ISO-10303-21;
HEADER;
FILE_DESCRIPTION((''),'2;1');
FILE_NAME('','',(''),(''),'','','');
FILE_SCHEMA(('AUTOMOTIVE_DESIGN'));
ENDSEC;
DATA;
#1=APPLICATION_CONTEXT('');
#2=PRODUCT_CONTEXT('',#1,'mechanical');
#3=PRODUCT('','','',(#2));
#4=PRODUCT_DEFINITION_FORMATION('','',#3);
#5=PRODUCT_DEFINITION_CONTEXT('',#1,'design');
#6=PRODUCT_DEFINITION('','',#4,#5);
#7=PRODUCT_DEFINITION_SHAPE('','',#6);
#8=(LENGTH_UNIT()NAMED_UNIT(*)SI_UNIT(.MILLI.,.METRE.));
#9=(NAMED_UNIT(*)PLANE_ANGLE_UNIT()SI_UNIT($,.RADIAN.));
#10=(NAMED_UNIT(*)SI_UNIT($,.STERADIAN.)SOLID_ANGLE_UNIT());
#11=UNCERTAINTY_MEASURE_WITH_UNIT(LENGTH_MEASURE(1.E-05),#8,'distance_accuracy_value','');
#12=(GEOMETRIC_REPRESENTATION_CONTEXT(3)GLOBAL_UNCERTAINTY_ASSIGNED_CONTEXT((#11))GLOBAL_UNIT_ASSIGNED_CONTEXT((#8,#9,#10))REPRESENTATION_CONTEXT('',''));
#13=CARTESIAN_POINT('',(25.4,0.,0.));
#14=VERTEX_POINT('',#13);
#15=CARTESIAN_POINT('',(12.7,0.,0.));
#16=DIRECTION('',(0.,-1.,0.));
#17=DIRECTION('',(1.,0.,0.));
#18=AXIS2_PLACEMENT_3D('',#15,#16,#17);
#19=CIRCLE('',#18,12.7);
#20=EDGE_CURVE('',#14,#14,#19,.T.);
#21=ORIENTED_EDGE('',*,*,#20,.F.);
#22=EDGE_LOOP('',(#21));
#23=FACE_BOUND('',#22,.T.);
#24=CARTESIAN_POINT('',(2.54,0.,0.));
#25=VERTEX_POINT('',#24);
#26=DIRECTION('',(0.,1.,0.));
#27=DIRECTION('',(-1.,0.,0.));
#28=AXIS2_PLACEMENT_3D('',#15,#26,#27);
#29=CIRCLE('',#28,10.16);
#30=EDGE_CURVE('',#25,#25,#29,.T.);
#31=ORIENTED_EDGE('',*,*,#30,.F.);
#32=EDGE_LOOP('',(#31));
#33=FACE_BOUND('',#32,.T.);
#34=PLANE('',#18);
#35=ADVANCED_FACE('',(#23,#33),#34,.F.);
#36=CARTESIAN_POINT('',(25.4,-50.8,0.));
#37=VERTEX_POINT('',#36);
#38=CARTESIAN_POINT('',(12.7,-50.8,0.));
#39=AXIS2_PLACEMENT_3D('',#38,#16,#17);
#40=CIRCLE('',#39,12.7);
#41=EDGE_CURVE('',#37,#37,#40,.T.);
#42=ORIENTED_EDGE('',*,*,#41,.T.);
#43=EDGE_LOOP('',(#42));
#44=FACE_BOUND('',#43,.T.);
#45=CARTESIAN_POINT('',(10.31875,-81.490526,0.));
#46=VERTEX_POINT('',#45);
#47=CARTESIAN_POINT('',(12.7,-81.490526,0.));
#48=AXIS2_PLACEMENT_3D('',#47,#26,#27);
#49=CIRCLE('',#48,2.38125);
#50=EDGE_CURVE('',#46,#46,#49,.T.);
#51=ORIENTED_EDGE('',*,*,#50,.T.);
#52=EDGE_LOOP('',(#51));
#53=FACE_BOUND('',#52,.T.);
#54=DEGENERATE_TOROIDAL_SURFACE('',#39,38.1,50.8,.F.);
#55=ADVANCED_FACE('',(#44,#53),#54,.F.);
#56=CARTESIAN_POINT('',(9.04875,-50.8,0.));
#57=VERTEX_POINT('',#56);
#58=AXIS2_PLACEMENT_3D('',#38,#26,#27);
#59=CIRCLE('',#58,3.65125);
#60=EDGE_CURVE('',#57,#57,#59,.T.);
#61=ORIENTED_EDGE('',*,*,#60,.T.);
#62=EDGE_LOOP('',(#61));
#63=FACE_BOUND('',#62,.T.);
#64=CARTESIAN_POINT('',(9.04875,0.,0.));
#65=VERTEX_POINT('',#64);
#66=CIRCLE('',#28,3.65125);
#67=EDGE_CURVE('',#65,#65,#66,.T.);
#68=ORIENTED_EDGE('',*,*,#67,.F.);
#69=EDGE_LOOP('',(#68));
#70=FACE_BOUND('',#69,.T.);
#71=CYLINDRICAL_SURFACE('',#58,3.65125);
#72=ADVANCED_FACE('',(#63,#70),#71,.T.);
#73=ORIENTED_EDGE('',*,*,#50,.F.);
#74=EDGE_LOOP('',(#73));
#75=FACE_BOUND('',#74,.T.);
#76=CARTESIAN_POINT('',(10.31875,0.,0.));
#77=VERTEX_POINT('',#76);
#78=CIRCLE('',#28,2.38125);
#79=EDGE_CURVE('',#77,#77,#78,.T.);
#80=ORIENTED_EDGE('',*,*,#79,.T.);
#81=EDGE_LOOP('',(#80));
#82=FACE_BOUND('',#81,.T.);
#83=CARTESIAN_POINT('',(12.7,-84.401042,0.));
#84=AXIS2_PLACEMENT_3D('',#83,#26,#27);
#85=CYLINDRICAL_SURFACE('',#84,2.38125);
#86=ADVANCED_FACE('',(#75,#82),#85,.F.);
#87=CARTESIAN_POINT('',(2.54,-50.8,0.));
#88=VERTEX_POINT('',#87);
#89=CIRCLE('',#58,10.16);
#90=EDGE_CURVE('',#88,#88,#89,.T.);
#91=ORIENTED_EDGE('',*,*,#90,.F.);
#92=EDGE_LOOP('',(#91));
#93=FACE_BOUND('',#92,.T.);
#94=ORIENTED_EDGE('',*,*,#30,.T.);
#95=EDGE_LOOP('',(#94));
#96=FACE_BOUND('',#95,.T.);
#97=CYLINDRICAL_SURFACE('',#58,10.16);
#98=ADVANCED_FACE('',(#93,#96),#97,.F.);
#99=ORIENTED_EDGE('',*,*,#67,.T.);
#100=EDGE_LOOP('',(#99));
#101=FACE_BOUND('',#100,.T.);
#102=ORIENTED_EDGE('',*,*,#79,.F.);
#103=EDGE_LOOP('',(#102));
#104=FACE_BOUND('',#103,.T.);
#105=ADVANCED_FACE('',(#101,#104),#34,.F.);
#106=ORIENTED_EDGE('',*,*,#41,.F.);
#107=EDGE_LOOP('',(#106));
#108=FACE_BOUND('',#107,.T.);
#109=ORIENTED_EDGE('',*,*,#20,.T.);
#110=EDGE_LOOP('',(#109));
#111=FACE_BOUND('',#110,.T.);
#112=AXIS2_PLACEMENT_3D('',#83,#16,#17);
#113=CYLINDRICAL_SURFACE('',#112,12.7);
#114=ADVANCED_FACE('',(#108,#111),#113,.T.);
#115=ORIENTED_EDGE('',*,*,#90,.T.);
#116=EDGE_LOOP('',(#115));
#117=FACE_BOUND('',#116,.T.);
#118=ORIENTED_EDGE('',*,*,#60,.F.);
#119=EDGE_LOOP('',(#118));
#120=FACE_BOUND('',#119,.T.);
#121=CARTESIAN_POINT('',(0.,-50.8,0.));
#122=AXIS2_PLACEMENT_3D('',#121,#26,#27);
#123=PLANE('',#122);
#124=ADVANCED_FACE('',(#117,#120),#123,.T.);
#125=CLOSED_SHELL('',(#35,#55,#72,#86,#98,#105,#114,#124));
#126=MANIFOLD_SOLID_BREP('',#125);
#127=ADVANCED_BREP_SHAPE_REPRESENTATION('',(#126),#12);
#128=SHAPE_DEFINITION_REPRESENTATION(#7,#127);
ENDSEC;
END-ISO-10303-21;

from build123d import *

# Parameters (mm, degrees)
SKETCH2_R          = 2.38125
CUT_EXTRUDE1_DEPTH = 85.401041751
SKETCH5_R          = 10.16
SKETCH5_R_2        = 3.65125
CUT_EXTRUDE4_DEPTH = 50.8


with BuildPart() as part:
    # Sketch1 → Revolve1 (revolve)
    with BuildSketch(Plane.XY):
        with BuildLine():
            Line((0, 0), (0, -50.8))
            ThreePointArc((0, -50.8), (3.280951188, -68.760512242), (12.7, -84.401041651))
            Line((12.7, -84.401041651), (12.7, 0))
            Line((12.7, 0), (0, 0))
        make_face()
    revolve(axis=Axis((12.7, -84.401041651, 0), (0, 1, 0)))

    # Sketch2 → Cut-Extrude1 (cut, through all)
    with BuildSketch(Plane(origin=(0, 0, 0), x_dir=(1, 0, 0), z_dir=(0, 1, 0))):
        with Locations((12.7, 0)):
            Circle(SKETCH2_R)
    extrude(amount=-CUT_EXTRUDE1_DEPTH, mode=Mode.SUBTRACT)

    # Sketch5 → Cut-Extrude4 (cut)
    with BuildSketch(Plane(origin=(0, 0, 0), x_dir=(1, 0, 0), z_dir=(0, 1, 0))):
        with Locations((12.7, 0)):
            Circle(SKETCH5_R)
        with Locations((12.7, 0)):
            Circle(SKETCH5_R_2, mode=Mode.SUBTRACT)
    extrude(amount=-CUT_EXTRUDE4_DEPTH, mode=Mode.SUBTRACT)


solid = part.part
